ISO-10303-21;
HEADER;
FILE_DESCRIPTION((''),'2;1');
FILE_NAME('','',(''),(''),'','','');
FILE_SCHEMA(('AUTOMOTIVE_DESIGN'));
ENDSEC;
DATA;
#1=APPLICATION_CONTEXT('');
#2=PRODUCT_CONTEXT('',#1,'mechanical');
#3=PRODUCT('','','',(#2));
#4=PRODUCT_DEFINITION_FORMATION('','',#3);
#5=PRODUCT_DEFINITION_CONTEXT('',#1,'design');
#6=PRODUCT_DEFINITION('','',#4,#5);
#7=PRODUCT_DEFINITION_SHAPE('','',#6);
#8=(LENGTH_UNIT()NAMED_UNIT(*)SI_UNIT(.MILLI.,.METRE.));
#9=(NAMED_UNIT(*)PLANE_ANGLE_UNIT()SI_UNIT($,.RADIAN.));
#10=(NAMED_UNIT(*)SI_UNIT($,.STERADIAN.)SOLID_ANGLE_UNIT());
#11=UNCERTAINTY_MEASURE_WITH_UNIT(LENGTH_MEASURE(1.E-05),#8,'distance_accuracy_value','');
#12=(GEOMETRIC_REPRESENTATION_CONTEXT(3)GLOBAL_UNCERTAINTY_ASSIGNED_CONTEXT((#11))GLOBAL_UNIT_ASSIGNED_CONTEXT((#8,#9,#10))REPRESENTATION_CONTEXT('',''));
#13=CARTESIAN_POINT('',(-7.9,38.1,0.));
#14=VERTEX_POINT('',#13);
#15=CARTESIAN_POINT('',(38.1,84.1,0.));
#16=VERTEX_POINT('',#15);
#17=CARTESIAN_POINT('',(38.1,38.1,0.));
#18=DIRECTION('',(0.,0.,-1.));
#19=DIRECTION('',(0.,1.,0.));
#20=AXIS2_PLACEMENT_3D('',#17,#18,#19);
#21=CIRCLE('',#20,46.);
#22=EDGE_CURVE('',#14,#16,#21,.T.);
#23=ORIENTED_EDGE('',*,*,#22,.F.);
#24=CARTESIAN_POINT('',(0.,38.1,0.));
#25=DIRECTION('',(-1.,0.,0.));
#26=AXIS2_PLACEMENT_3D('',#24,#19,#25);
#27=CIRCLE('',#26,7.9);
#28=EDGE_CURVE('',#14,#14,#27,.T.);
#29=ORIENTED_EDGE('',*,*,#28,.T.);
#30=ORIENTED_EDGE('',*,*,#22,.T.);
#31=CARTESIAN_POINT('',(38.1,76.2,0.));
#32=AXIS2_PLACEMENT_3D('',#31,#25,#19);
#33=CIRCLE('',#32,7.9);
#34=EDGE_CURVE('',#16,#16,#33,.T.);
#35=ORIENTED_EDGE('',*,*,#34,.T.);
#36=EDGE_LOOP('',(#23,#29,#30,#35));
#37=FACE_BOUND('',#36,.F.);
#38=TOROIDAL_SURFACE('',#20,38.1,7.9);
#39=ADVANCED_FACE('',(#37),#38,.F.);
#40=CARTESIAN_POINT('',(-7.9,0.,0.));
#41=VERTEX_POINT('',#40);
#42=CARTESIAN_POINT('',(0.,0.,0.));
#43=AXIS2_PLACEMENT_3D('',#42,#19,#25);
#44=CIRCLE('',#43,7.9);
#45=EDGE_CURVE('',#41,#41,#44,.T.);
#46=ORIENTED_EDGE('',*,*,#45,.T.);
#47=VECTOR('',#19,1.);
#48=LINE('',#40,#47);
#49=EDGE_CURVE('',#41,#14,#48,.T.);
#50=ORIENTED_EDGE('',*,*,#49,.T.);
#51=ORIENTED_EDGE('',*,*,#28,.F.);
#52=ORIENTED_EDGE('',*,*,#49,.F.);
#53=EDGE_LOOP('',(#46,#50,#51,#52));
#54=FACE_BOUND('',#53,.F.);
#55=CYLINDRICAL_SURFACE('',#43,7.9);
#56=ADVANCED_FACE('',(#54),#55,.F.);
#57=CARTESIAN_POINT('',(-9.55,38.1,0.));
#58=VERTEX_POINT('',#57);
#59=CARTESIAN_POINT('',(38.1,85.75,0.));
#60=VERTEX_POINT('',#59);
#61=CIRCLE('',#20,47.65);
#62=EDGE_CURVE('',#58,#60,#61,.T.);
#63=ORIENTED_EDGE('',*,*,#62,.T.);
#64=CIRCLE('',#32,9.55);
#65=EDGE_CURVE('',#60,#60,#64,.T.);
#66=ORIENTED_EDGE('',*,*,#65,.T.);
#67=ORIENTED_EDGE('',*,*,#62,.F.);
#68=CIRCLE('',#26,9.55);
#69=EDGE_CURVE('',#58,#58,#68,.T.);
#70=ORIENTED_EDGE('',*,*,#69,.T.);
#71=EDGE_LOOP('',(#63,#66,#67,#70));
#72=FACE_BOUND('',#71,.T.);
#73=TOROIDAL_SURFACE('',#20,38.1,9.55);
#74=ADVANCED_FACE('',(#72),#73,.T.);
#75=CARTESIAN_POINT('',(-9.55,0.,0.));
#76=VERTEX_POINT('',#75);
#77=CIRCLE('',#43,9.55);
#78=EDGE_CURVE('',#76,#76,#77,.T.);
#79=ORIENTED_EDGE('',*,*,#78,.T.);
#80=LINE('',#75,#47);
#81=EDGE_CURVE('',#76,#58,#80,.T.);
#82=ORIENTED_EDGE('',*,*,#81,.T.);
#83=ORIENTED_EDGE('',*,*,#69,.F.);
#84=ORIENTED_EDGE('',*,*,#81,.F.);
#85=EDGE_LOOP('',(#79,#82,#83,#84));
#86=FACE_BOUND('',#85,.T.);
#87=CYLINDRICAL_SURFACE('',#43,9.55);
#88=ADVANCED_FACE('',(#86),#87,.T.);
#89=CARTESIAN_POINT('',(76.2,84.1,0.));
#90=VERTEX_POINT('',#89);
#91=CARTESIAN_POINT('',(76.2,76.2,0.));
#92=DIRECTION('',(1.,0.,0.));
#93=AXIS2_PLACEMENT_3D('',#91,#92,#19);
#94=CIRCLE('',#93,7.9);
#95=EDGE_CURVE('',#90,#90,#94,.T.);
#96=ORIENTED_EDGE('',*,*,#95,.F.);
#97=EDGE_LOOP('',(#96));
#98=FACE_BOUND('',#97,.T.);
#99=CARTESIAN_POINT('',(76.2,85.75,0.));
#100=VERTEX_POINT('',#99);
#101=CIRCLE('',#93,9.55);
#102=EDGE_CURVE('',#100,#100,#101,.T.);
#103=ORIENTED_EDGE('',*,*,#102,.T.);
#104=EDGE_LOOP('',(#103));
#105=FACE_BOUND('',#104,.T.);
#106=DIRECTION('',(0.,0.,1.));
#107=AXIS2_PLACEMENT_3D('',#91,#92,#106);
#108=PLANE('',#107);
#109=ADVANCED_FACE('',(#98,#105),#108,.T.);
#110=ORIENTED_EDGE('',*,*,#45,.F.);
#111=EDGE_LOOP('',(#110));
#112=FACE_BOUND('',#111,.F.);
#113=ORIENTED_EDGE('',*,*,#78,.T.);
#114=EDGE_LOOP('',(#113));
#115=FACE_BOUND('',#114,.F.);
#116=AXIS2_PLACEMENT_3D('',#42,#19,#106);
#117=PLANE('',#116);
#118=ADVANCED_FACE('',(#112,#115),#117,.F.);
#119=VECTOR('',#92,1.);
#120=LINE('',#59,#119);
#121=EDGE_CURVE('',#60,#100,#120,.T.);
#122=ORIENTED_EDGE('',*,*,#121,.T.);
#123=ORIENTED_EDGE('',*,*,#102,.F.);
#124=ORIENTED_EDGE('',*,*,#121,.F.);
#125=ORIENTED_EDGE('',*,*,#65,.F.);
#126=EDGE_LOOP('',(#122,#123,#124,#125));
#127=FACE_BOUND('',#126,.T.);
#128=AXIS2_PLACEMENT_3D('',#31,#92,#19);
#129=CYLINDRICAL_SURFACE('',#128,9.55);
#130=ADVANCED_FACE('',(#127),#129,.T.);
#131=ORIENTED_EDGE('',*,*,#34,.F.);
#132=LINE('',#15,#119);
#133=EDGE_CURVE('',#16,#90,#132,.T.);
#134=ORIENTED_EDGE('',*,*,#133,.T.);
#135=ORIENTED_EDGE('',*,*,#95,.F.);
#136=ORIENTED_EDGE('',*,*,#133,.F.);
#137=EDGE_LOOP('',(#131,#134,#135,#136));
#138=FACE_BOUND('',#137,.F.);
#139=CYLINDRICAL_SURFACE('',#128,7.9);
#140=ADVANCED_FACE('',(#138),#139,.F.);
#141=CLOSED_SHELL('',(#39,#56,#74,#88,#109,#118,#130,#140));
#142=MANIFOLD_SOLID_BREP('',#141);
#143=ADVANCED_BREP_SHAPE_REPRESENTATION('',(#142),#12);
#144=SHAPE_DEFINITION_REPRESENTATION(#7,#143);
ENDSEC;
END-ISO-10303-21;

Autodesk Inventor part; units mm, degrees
ref_plane "YZ Plane" through (0, 0, 0) normal (1, 0, 0) x (0, 1, 0)
ref_plane "XZ Plane" through (0, 0, 0) normal (0, 1, 0) x (-1, 0, 0)
ref_plane "XY Plane" through (0, 0, 0) normal (0, 0, 1) x (1, 0, 0)
sketch "Sketch1" plane through (0, 0, 0) normal (0, 0, 1) x (1, 0, 0)
  line L0 (0, 0) -> (0, 38.1)
  line L1 (38.1, 76.2) -> (76.2, 76.2)
  arc A0 (38.1, 76.2) -> (0, 38.1) centre (38.1, 38.1) ccw
  dimension "d0" = 76.2
  dimension "d1" = 76.2
  dimension "d2" = 38.1
sketch "Sketch2" plane through (0, 0, 0) normal (0, 1, 0) x (-1, 0, 0)
  circle A0 centre (0, 0) radius 9.55
  circle A1 centre (0, 0) radius 7.9
  dimension "d4" = 1.65
  dimension "d5" = 19.1
sweep "Sweep1" add profiles "Sketch2" path "Sketch1"
equation "\"d1\" = d0"
equation "\"d2\" = 0.5 * d0"
properties part number "ASME BPE 90DEG ELB-19.1"
